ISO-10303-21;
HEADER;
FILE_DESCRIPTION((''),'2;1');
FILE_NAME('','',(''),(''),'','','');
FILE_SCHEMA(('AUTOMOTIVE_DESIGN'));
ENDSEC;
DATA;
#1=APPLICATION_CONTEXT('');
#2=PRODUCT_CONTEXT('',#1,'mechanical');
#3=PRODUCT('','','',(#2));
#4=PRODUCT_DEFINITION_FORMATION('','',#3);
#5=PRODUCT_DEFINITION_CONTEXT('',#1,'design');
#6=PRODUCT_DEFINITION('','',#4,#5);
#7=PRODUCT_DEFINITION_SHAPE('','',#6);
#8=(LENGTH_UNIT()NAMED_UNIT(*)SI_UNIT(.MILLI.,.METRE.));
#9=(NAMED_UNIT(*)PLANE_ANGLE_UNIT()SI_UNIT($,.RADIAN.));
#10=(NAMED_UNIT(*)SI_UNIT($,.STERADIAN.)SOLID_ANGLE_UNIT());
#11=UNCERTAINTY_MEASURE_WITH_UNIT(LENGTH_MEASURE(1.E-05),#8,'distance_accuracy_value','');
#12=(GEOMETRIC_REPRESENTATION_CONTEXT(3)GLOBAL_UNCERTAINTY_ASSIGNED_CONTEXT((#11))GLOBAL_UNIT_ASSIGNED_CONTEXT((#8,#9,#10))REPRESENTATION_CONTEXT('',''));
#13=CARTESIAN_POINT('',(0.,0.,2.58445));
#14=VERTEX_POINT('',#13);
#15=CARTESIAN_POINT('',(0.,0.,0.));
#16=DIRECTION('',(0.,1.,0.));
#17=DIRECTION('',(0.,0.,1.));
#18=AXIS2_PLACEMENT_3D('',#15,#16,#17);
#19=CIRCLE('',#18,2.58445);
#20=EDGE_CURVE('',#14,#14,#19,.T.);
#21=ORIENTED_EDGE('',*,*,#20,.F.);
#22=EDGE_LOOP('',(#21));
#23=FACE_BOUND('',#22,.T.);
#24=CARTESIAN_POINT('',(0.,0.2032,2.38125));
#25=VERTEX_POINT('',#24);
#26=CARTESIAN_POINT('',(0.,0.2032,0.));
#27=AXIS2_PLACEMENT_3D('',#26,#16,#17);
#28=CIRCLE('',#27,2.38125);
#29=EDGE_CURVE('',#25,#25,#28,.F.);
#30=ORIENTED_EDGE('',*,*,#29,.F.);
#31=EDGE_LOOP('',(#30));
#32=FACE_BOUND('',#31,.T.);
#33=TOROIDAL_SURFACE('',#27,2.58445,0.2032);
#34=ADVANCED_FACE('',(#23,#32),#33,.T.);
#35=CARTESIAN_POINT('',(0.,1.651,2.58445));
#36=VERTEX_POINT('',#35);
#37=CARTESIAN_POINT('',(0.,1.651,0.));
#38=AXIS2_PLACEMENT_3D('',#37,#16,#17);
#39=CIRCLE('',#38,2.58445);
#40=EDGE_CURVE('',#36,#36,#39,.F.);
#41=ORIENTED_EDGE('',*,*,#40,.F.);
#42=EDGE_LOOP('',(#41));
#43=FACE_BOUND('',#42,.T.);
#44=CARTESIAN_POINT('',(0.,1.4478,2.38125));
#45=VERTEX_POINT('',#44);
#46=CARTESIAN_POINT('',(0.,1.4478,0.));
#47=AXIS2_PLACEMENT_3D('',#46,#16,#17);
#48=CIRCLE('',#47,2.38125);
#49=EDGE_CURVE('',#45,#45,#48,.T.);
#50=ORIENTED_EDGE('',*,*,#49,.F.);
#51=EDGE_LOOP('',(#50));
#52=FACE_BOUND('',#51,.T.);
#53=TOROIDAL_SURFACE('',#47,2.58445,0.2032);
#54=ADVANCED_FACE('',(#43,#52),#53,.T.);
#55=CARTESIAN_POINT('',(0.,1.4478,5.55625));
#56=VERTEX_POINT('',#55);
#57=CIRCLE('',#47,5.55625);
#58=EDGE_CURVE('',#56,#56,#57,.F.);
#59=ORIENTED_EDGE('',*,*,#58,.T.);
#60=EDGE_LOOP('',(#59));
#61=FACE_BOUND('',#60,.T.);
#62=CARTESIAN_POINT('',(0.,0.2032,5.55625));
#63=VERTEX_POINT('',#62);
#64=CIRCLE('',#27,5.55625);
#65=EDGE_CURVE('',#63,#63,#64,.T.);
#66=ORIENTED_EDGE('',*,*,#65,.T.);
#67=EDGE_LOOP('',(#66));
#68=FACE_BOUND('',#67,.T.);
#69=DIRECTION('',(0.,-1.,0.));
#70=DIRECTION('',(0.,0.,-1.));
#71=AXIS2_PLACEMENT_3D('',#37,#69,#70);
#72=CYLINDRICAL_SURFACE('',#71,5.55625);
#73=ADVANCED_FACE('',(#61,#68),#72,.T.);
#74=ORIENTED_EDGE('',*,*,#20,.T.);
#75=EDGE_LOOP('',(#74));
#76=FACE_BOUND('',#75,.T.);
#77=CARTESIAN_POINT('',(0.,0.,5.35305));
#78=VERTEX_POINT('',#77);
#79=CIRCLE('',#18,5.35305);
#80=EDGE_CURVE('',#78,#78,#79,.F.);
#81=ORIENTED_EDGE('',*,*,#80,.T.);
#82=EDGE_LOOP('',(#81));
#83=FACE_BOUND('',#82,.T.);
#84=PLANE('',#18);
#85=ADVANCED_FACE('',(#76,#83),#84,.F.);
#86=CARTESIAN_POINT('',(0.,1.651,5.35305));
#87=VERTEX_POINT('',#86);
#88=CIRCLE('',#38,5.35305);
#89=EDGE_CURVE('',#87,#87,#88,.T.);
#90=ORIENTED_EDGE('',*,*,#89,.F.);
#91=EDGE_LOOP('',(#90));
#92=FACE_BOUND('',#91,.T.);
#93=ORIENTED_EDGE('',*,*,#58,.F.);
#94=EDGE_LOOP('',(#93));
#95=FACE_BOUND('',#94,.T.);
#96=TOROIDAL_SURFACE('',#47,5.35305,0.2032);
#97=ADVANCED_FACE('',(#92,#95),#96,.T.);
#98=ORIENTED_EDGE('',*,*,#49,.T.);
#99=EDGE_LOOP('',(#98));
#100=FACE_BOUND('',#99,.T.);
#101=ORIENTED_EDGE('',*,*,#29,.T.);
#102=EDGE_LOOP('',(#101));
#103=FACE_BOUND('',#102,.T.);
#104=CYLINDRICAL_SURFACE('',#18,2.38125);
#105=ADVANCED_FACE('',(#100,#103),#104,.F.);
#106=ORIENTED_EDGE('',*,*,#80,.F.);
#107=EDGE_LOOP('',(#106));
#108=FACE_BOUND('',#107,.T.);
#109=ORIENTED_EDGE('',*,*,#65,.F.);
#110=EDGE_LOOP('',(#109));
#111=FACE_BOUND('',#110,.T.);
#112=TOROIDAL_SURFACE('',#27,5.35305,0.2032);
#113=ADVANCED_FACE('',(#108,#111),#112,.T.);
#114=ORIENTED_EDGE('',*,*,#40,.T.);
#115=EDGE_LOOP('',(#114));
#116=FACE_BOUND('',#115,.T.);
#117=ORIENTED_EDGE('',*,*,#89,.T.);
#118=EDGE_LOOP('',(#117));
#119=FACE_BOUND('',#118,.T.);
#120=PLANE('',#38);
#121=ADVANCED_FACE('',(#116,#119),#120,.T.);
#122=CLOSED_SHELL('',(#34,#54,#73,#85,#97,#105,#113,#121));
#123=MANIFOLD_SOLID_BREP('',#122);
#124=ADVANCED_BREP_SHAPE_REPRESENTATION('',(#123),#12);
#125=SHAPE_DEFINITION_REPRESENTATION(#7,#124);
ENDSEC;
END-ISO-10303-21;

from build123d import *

# Parameters (mm, degrees)
SKETCH1_R           = 5.55625
BOSS_EXTRUDE1_DEPTH = 1.651
SKETCH5_R           = 2.38125
CUT_EXTRUDE1_DEPTH  = 2.651
FILLET1_R           = 0.2032


with BuildPart() as part:
    # Sketch1 → Boss-Extrude1 (new body)
    with BuildSketch(Plane(origin=(0, 0, 0), x_dir=(1, 0, 0), z_dir=(0, 1, 0))):
        Circle(SKETCH1_R)
    extrude(amount=BOSS_EXTRUDE1_DEPTH)

    # Sketch5 → Cut-Extrude1 (cut, through all)
    with BuildSketch(Plane(origin=(0, 1.651, 0), x_dir=(-1, 0, 0), z_dir=(0, 1, 0))):
        Circle(SKETCH5_R)
    extrude(amount=-CUT_EXTRUDE1_DEPTH, mode=Mode.SUBTRACT)

    # Fillet1
    fillet1_edges = [part.edges().sort_by_distance(p)[0] for p in [
        (-5.55625, 0, 0),
        (-5.55625, 1.651, 0),
        (2.38125, 0, 0),
        (2.38125, 1.651, 0),
    ]]
    fillet(fillet1_edges, radius=FILLET1_R)


solid = part.part
